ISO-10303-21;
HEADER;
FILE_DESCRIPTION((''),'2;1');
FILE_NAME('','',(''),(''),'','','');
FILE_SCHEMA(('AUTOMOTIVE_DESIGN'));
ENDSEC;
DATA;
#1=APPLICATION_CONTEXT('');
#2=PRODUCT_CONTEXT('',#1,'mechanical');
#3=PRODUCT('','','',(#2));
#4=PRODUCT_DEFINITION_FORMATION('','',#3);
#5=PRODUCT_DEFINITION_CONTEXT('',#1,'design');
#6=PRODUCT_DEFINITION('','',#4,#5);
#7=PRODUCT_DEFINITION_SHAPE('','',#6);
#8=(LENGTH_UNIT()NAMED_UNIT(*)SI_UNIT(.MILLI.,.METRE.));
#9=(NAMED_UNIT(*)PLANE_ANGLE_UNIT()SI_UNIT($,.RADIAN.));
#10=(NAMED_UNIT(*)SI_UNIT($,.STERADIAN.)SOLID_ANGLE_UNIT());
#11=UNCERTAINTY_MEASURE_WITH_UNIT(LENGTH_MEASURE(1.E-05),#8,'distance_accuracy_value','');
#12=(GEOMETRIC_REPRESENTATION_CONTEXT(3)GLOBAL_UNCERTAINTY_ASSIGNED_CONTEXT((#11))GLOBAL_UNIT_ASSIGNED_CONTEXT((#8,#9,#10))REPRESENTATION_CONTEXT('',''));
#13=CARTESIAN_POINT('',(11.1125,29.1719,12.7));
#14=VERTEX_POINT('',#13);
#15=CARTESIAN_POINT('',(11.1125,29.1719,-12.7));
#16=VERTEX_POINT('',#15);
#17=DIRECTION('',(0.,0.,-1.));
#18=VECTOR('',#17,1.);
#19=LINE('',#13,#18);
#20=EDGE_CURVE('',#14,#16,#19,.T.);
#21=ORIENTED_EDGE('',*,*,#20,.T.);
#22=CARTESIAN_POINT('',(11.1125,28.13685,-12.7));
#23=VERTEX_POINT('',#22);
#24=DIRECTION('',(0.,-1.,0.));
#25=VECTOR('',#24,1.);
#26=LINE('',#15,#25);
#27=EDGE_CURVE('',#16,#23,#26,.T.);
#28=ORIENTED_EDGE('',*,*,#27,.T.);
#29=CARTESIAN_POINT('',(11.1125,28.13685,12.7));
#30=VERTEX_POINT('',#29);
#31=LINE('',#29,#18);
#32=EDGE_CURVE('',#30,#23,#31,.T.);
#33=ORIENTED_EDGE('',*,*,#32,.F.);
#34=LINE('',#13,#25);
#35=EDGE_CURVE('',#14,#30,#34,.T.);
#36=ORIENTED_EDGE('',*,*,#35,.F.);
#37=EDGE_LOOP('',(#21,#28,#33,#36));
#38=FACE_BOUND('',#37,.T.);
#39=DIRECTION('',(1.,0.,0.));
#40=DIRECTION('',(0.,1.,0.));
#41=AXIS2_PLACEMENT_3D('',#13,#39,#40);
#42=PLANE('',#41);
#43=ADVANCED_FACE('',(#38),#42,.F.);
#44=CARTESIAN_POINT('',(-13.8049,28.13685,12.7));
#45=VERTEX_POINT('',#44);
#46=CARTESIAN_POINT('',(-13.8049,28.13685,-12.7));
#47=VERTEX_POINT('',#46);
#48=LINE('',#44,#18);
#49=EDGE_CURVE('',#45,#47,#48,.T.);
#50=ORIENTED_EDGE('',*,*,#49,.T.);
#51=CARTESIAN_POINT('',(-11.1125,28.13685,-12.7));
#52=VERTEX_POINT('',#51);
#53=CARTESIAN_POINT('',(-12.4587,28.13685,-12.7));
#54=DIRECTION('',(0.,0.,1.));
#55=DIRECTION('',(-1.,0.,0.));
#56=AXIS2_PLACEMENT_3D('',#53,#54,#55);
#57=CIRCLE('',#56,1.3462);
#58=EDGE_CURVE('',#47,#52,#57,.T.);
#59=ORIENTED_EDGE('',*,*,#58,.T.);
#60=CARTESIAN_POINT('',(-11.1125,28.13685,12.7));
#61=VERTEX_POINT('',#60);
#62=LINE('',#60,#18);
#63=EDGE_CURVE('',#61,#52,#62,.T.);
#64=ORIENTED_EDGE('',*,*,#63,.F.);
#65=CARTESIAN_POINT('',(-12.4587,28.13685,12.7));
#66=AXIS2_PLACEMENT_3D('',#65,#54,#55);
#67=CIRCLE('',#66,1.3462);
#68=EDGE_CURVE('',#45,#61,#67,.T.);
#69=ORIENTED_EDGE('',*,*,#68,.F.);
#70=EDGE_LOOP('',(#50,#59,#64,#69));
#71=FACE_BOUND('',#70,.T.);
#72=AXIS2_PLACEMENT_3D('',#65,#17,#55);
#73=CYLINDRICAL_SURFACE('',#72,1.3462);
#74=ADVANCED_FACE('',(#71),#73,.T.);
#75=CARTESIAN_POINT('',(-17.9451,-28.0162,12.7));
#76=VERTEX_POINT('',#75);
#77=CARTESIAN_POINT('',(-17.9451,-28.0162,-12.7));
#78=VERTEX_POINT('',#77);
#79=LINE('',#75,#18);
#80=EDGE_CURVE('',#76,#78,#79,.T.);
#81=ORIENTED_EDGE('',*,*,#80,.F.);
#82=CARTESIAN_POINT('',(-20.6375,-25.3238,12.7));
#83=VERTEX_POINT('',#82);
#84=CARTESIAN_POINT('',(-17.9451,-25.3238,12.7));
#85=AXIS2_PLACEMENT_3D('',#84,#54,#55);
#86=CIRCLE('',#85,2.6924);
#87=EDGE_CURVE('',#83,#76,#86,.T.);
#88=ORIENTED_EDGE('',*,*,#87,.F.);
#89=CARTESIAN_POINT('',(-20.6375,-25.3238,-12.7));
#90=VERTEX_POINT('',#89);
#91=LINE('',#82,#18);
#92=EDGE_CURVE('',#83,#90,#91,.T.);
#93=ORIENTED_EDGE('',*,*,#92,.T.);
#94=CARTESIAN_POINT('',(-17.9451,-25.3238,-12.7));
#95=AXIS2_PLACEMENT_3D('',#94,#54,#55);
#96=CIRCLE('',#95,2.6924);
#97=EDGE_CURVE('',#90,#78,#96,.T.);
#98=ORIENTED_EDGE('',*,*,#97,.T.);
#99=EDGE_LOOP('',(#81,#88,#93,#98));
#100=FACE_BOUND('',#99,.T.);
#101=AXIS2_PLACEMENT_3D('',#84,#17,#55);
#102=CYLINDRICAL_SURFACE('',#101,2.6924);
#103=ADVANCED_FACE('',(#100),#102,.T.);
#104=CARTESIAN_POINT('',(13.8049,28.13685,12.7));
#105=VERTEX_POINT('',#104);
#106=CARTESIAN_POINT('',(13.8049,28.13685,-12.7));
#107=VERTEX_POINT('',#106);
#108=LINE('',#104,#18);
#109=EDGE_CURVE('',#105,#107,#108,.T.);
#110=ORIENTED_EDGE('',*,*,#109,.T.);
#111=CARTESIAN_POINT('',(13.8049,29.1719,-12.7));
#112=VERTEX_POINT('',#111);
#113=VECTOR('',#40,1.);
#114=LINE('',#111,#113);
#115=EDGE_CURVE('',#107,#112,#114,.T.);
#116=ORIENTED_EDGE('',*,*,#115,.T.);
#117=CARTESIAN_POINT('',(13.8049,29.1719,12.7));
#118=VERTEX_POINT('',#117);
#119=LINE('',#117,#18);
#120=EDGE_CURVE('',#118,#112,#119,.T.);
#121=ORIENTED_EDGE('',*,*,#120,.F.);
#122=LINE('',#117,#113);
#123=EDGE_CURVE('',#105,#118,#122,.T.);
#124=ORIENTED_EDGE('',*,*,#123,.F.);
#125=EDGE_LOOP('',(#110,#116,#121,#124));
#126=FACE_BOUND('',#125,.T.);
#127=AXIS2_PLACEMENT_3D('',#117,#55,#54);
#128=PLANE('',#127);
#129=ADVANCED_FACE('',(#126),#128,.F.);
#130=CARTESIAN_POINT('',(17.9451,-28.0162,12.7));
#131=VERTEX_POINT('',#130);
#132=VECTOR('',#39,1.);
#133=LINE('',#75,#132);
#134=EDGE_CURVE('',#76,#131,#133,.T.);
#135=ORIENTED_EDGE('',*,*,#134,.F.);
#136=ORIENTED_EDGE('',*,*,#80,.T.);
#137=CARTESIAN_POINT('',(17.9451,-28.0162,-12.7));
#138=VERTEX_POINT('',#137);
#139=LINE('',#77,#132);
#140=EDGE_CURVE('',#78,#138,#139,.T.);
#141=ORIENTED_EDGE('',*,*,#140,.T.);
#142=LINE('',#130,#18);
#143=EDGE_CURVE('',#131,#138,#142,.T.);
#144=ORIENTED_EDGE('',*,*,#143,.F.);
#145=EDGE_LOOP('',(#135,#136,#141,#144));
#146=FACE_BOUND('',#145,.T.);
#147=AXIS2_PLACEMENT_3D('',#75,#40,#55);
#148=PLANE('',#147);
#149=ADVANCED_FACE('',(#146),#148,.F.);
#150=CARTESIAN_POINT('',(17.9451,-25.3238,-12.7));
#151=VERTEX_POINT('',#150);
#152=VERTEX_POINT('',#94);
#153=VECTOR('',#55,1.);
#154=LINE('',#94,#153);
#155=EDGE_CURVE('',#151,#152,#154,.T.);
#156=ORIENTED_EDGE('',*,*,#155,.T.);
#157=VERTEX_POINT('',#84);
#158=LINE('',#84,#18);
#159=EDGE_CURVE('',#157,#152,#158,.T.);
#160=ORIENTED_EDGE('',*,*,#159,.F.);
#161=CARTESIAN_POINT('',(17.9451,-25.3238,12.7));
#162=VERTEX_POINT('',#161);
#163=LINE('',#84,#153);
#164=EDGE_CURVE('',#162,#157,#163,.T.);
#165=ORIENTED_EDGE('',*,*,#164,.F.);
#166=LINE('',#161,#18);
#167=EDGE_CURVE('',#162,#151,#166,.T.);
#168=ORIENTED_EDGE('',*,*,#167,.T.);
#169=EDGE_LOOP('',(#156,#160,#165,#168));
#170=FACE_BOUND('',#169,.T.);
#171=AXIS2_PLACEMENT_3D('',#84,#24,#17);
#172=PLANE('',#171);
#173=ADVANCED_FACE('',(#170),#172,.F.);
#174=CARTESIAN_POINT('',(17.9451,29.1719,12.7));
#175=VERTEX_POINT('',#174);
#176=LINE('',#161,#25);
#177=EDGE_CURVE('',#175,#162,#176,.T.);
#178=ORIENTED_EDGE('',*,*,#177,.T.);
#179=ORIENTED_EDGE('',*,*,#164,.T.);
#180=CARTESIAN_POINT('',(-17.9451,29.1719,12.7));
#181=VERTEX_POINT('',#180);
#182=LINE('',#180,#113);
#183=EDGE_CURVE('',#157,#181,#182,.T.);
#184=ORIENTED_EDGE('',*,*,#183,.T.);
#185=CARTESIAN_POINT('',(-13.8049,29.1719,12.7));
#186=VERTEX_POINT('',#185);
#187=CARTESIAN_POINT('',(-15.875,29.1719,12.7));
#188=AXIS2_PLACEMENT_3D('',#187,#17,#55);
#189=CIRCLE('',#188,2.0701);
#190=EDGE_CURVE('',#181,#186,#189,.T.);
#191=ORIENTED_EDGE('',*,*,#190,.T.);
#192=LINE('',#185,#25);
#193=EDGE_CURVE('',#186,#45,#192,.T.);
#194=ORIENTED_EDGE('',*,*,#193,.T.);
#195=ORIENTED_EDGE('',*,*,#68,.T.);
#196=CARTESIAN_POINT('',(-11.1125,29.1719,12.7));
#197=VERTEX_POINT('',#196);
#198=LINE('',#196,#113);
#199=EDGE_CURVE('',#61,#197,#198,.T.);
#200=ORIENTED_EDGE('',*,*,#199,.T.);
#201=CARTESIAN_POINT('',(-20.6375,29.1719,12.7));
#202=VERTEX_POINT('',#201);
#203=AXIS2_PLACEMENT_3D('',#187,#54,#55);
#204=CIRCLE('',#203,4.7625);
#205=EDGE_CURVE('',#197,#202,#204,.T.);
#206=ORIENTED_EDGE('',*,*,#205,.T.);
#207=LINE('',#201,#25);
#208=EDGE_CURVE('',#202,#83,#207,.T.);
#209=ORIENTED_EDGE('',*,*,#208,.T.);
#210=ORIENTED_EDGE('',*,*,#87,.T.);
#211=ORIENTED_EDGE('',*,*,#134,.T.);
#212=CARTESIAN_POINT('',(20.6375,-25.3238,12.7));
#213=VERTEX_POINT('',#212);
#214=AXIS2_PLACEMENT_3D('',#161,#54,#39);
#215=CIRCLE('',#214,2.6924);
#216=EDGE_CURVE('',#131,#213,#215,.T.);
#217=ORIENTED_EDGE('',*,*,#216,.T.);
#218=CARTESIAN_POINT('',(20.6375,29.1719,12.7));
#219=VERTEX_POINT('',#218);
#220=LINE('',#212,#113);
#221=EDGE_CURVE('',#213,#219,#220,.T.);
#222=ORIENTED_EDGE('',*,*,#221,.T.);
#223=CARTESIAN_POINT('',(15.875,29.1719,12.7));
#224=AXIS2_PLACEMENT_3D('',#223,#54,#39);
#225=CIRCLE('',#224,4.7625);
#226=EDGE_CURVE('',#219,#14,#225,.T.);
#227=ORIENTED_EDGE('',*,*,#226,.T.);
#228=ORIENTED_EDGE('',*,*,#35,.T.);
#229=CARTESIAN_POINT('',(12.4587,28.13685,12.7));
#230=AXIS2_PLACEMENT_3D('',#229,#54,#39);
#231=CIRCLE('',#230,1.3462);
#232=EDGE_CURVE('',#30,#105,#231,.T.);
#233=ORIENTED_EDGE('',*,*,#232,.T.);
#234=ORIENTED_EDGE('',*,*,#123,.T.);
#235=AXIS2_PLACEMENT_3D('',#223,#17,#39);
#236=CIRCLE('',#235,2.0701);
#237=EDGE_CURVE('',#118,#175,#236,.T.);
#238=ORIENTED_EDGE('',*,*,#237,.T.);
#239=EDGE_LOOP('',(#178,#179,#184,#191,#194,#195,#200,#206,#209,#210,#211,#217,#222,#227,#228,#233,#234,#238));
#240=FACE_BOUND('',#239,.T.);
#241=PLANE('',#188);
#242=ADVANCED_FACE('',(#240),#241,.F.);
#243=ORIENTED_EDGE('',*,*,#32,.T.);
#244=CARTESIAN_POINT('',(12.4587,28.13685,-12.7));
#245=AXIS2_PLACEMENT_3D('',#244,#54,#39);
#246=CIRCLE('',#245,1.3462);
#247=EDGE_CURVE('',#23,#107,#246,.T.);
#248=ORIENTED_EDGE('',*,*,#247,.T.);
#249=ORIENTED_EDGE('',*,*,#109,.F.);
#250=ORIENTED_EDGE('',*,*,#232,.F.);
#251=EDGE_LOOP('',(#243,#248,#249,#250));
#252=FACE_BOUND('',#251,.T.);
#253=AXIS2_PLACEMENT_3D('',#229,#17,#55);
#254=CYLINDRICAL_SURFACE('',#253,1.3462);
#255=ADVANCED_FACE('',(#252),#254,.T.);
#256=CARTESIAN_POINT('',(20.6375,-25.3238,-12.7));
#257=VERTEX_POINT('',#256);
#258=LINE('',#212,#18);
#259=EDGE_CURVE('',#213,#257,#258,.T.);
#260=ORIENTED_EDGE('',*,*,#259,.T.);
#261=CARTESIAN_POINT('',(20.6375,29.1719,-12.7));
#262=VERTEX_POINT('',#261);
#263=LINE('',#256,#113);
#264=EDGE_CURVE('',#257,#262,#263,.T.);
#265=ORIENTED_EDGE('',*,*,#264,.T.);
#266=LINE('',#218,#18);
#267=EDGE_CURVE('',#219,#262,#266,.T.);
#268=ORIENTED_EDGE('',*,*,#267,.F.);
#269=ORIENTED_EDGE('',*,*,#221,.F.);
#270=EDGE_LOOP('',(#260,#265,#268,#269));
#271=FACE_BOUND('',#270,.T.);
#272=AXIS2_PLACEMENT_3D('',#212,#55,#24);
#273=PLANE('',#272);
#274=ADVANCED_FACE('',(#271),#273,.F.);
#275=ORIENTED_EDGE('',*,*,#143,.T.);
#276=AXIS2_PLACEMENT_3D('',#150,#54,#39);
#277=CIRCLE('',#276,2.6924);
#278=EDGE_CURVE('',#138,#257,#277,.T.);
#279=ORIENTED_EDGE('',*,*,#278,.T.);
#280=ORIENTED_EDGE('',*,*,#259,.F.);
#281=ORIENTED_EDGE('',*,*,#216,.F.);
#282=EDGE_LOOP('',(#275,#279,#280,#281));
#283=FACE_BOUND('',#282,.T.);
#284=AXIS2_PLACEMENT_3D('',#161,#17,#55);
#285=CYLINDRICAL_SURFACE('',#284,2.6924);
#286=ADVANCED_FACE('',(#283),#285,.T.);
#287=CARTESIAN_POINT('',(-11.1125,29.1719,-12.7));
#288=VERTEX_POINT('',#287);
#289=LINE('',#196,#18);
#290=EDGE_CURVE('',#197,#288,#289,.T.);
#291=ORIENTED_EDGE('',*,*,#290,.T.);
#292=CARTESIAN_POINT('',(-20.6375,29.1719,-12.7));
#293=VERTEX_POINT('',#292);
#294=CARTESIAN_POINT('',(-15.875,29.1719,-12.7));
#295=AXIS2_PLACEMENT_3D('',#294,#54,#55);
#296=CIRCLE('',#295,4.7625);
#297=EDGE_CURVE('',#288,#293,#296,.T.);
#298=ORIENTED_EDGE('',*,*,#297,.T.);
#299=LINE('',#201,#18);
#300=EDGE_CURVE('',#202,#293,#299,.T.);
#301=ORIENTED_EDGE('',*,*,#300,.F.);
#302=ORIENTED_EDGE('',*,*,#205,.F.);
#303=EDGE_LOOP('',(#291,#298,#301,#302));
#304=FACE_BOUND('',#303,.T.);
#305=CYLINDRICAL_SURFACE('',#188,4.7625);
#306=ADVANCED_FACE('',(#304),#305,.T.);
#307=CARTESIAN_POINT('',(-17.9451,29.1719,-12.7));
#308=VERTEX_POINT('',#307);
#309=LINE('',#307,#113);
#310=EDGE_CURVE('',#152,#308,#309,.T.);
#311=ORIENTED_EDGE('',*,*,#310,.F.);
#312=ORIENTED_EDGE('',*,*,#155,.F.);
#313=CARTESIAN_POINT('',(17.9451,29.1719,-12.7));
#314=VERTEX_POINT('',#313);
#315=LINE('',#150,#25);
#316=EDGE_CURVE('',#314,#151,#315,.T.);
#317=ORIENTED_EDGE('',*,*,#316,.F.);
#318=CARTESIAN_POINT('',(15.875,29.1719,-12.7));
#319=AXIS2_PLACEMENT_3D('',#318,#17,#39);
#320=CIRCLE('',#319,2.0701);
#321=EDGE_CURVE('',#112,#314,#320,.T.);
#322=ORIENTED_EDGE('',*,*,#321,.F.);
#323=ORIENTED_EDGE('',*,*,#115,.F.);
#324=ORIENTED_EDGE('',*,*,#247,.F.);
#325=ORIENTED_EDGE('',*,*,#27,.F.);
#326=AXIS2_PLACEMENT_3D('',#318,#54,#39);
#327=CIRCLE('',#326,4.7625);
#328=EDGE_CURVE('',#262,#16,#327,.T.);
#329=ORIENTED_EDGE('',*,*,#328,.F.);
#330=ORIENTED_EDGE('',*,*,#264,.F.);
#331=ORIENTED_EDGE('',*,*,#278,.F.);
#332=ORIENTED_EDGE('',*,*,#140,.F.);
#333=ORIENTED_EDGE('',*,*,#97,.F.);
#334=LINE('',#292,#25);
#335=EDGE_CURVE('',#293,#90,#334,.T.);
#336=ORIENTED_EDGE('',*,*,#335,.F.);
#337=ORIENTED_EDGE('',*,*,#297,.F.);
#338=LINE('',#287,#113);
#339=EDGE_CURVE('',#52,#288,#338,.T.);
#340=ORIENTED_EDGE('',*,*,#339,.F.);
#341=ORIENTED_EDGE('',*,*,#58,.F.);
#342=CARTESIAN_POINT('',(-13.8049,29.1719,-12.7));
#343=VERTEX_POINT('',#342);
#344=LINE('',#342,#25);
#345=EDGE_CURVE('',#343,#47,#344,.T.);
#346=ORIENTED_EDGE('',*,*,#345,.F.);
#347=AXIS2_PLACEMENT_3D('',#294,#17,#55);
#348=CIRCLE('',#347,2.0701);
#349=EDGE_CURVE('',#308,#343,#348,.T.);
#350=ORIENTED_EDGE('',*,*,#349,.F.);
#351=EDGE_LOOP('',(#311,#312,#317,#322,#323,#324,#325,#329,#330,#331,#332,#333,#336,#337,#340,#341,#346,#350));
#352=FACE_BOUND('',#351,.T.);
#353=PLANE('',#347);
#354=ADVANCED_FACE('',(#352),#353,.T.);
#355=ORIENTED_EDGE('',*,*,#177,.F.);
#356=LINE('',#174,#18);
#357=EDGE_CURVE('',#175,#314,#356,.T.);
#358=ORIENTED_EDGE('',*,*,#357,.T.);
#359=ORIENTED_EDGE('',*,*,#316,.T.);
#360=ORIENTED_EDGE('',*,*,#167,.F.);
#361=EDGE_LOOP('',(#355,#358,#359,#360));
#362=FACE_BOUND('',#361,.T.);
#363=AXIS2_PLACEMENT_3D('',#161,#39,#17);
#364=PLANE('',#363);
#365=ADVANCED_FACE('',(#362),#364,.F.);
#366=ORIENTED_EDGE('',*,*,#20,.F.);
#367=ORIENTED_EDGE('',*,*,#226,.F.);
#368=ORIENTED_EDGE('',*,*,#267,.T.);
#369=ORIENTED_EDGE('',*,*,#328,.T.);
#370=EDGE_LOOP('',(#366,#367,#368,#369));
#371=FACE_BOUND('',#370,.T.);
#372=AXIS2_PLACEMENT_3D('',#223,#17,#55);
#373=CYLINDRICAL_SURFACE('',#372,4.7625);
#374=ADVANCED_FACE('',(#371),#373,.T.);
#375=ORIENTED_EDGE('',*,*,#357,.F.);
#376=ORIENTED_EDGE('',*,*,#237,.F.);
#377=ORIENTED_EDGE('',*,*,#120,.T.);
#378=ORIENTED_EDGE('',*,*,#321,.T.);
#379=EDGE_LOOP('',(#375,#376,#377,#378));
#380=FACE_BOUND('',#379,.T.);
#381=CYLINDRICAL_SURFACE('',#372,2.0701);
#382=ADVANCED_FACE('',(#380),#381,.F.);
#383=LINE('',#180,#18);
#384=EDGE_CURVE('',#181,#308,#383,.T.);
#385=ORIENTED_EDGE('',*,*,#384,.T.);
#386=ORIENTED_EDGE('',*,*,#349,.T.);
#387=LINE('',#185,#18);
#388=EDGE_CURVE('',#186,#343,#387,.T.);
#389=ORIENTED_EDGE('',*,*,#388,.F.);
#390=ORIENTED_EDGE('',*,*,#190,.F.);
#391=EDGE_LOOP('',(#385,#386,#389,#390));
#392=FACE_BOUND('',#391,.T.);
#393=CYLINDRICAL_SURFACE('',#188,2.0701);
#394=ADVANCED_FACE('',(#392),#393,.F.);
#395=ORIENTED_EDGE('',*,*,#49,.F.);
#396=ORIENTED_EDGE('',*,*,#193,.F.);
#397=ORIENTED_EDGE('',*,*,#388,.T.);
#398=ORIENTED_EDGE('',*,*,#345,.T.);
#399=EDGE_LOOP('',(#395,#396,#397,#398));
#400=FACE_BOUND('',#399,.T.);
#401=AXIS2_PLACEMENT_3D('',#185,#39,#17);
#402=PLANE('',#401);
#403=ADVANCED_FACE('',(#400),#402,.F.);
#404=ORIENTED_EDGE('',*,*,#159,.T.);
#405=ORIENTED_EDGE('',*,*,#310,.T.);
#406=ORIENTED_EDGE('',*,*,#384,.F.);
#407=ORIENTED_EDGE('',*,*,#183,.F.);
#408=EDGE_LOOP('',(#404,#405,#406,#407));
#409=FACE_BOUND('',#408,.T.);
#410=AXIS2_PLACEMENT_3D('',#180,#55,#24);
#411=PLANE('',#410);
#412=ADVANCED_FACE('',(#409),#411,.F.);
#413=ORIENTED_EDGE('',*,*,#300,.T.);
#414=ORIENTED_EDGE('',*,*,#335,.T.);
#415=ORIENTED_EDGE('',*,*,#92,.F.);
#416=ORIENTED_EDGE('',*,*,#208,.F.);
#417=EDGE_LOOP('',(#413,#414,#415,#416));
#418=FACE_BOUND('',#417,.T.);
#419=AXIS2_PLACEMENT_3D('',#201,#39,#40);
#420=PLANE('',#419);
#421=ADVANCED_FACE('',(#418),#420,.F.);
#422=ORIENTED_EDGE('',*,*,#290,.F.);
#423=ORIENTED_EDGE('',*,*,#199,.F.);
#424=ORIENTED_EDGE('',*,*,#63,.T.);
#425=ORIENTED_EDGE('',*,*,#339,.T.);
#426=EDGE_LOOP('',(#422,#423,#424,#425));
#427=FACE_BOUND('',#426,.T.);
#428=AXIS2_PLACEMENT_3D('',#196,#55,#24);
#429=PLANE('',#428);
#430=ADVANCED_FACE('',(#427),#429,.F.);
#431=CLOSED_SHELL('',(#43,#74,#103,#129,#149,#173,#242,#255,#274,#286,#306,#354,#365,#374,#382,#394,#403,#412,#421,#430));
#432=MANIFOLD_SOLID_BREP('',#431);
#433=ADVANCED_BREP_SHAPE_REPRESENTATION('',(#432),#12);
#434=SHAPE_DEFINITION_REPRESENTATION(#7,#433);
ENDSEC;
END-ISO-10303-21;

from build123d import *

# Parameters (mm, degrees)
BASE_EXTRUDE_DEPTH = 12.7


with BuildPart() as part:
    # Sketch1 → Base-Extrude (new, symmetric)
    with BuildSketch(Plane.XY):
        with BuildLine():
            Line((-20.6375, 29.1719), (-20.6375, -25.3238))
            ThreePointArc((-20.6375, -25.3238), (-19.848914298, -27.227614298), (-17.9451, -28.0162))
            Line((-17.9451, -28.0162), (17.9451, -28.0162))
            ThreePointArc((17.9451, -28.0162), (19.848914298, -27.227614298), (20.6375, -25.3238))
            Line((20.6375, -25.3238), (20.6375, 29.1719))
            ThreePointArc((20.6375, 29.1719), (15.875, 33.9344), (11.1125, 29.1719))
            Line((11.1125, 29.1719), (11.1125, 28.13685))
            ThreePointArc((11.1125, 28.13685), (12.4587, 26.79065), (13.8049, 28.13685))
            Line((13.8049, 28.13685), (13.8049, 29.1719))
            ThreePointArc((13.8049, 29.1719), (15.875, 31.242), (17.9451, 29.1719))
            Line((17.9451, 29.1719), (17.9451, -25.3238))
            Line((17.9451, -25.3238), (-17.9451, -25.3238))
            Line((-17.9451, -25.3238), (-17.9451, 29.1719))
            ThreePointArc((-17.9451, 29.1719), (-15.875, 31.242), (-13.8049, 29.1719))
            Line((-13.8049, 29.1719), (-13.8049, 28.13685))
            ThreePointArc((-13.8049, 28.13685), (-12.4587, 26.79065), (-11.1125, 28.13685))
            Line((-11.1125, 28.13685), (-11.1125, 29.1719))
            ThreePointArc((-11.1125, 29.1719), (-15.875, 33.9344), (-20.6375, 29.1719))
        make_face()
    extrude(amount=BASE_EXTRUDE_DEPTH, both=True)


solid = part.part
